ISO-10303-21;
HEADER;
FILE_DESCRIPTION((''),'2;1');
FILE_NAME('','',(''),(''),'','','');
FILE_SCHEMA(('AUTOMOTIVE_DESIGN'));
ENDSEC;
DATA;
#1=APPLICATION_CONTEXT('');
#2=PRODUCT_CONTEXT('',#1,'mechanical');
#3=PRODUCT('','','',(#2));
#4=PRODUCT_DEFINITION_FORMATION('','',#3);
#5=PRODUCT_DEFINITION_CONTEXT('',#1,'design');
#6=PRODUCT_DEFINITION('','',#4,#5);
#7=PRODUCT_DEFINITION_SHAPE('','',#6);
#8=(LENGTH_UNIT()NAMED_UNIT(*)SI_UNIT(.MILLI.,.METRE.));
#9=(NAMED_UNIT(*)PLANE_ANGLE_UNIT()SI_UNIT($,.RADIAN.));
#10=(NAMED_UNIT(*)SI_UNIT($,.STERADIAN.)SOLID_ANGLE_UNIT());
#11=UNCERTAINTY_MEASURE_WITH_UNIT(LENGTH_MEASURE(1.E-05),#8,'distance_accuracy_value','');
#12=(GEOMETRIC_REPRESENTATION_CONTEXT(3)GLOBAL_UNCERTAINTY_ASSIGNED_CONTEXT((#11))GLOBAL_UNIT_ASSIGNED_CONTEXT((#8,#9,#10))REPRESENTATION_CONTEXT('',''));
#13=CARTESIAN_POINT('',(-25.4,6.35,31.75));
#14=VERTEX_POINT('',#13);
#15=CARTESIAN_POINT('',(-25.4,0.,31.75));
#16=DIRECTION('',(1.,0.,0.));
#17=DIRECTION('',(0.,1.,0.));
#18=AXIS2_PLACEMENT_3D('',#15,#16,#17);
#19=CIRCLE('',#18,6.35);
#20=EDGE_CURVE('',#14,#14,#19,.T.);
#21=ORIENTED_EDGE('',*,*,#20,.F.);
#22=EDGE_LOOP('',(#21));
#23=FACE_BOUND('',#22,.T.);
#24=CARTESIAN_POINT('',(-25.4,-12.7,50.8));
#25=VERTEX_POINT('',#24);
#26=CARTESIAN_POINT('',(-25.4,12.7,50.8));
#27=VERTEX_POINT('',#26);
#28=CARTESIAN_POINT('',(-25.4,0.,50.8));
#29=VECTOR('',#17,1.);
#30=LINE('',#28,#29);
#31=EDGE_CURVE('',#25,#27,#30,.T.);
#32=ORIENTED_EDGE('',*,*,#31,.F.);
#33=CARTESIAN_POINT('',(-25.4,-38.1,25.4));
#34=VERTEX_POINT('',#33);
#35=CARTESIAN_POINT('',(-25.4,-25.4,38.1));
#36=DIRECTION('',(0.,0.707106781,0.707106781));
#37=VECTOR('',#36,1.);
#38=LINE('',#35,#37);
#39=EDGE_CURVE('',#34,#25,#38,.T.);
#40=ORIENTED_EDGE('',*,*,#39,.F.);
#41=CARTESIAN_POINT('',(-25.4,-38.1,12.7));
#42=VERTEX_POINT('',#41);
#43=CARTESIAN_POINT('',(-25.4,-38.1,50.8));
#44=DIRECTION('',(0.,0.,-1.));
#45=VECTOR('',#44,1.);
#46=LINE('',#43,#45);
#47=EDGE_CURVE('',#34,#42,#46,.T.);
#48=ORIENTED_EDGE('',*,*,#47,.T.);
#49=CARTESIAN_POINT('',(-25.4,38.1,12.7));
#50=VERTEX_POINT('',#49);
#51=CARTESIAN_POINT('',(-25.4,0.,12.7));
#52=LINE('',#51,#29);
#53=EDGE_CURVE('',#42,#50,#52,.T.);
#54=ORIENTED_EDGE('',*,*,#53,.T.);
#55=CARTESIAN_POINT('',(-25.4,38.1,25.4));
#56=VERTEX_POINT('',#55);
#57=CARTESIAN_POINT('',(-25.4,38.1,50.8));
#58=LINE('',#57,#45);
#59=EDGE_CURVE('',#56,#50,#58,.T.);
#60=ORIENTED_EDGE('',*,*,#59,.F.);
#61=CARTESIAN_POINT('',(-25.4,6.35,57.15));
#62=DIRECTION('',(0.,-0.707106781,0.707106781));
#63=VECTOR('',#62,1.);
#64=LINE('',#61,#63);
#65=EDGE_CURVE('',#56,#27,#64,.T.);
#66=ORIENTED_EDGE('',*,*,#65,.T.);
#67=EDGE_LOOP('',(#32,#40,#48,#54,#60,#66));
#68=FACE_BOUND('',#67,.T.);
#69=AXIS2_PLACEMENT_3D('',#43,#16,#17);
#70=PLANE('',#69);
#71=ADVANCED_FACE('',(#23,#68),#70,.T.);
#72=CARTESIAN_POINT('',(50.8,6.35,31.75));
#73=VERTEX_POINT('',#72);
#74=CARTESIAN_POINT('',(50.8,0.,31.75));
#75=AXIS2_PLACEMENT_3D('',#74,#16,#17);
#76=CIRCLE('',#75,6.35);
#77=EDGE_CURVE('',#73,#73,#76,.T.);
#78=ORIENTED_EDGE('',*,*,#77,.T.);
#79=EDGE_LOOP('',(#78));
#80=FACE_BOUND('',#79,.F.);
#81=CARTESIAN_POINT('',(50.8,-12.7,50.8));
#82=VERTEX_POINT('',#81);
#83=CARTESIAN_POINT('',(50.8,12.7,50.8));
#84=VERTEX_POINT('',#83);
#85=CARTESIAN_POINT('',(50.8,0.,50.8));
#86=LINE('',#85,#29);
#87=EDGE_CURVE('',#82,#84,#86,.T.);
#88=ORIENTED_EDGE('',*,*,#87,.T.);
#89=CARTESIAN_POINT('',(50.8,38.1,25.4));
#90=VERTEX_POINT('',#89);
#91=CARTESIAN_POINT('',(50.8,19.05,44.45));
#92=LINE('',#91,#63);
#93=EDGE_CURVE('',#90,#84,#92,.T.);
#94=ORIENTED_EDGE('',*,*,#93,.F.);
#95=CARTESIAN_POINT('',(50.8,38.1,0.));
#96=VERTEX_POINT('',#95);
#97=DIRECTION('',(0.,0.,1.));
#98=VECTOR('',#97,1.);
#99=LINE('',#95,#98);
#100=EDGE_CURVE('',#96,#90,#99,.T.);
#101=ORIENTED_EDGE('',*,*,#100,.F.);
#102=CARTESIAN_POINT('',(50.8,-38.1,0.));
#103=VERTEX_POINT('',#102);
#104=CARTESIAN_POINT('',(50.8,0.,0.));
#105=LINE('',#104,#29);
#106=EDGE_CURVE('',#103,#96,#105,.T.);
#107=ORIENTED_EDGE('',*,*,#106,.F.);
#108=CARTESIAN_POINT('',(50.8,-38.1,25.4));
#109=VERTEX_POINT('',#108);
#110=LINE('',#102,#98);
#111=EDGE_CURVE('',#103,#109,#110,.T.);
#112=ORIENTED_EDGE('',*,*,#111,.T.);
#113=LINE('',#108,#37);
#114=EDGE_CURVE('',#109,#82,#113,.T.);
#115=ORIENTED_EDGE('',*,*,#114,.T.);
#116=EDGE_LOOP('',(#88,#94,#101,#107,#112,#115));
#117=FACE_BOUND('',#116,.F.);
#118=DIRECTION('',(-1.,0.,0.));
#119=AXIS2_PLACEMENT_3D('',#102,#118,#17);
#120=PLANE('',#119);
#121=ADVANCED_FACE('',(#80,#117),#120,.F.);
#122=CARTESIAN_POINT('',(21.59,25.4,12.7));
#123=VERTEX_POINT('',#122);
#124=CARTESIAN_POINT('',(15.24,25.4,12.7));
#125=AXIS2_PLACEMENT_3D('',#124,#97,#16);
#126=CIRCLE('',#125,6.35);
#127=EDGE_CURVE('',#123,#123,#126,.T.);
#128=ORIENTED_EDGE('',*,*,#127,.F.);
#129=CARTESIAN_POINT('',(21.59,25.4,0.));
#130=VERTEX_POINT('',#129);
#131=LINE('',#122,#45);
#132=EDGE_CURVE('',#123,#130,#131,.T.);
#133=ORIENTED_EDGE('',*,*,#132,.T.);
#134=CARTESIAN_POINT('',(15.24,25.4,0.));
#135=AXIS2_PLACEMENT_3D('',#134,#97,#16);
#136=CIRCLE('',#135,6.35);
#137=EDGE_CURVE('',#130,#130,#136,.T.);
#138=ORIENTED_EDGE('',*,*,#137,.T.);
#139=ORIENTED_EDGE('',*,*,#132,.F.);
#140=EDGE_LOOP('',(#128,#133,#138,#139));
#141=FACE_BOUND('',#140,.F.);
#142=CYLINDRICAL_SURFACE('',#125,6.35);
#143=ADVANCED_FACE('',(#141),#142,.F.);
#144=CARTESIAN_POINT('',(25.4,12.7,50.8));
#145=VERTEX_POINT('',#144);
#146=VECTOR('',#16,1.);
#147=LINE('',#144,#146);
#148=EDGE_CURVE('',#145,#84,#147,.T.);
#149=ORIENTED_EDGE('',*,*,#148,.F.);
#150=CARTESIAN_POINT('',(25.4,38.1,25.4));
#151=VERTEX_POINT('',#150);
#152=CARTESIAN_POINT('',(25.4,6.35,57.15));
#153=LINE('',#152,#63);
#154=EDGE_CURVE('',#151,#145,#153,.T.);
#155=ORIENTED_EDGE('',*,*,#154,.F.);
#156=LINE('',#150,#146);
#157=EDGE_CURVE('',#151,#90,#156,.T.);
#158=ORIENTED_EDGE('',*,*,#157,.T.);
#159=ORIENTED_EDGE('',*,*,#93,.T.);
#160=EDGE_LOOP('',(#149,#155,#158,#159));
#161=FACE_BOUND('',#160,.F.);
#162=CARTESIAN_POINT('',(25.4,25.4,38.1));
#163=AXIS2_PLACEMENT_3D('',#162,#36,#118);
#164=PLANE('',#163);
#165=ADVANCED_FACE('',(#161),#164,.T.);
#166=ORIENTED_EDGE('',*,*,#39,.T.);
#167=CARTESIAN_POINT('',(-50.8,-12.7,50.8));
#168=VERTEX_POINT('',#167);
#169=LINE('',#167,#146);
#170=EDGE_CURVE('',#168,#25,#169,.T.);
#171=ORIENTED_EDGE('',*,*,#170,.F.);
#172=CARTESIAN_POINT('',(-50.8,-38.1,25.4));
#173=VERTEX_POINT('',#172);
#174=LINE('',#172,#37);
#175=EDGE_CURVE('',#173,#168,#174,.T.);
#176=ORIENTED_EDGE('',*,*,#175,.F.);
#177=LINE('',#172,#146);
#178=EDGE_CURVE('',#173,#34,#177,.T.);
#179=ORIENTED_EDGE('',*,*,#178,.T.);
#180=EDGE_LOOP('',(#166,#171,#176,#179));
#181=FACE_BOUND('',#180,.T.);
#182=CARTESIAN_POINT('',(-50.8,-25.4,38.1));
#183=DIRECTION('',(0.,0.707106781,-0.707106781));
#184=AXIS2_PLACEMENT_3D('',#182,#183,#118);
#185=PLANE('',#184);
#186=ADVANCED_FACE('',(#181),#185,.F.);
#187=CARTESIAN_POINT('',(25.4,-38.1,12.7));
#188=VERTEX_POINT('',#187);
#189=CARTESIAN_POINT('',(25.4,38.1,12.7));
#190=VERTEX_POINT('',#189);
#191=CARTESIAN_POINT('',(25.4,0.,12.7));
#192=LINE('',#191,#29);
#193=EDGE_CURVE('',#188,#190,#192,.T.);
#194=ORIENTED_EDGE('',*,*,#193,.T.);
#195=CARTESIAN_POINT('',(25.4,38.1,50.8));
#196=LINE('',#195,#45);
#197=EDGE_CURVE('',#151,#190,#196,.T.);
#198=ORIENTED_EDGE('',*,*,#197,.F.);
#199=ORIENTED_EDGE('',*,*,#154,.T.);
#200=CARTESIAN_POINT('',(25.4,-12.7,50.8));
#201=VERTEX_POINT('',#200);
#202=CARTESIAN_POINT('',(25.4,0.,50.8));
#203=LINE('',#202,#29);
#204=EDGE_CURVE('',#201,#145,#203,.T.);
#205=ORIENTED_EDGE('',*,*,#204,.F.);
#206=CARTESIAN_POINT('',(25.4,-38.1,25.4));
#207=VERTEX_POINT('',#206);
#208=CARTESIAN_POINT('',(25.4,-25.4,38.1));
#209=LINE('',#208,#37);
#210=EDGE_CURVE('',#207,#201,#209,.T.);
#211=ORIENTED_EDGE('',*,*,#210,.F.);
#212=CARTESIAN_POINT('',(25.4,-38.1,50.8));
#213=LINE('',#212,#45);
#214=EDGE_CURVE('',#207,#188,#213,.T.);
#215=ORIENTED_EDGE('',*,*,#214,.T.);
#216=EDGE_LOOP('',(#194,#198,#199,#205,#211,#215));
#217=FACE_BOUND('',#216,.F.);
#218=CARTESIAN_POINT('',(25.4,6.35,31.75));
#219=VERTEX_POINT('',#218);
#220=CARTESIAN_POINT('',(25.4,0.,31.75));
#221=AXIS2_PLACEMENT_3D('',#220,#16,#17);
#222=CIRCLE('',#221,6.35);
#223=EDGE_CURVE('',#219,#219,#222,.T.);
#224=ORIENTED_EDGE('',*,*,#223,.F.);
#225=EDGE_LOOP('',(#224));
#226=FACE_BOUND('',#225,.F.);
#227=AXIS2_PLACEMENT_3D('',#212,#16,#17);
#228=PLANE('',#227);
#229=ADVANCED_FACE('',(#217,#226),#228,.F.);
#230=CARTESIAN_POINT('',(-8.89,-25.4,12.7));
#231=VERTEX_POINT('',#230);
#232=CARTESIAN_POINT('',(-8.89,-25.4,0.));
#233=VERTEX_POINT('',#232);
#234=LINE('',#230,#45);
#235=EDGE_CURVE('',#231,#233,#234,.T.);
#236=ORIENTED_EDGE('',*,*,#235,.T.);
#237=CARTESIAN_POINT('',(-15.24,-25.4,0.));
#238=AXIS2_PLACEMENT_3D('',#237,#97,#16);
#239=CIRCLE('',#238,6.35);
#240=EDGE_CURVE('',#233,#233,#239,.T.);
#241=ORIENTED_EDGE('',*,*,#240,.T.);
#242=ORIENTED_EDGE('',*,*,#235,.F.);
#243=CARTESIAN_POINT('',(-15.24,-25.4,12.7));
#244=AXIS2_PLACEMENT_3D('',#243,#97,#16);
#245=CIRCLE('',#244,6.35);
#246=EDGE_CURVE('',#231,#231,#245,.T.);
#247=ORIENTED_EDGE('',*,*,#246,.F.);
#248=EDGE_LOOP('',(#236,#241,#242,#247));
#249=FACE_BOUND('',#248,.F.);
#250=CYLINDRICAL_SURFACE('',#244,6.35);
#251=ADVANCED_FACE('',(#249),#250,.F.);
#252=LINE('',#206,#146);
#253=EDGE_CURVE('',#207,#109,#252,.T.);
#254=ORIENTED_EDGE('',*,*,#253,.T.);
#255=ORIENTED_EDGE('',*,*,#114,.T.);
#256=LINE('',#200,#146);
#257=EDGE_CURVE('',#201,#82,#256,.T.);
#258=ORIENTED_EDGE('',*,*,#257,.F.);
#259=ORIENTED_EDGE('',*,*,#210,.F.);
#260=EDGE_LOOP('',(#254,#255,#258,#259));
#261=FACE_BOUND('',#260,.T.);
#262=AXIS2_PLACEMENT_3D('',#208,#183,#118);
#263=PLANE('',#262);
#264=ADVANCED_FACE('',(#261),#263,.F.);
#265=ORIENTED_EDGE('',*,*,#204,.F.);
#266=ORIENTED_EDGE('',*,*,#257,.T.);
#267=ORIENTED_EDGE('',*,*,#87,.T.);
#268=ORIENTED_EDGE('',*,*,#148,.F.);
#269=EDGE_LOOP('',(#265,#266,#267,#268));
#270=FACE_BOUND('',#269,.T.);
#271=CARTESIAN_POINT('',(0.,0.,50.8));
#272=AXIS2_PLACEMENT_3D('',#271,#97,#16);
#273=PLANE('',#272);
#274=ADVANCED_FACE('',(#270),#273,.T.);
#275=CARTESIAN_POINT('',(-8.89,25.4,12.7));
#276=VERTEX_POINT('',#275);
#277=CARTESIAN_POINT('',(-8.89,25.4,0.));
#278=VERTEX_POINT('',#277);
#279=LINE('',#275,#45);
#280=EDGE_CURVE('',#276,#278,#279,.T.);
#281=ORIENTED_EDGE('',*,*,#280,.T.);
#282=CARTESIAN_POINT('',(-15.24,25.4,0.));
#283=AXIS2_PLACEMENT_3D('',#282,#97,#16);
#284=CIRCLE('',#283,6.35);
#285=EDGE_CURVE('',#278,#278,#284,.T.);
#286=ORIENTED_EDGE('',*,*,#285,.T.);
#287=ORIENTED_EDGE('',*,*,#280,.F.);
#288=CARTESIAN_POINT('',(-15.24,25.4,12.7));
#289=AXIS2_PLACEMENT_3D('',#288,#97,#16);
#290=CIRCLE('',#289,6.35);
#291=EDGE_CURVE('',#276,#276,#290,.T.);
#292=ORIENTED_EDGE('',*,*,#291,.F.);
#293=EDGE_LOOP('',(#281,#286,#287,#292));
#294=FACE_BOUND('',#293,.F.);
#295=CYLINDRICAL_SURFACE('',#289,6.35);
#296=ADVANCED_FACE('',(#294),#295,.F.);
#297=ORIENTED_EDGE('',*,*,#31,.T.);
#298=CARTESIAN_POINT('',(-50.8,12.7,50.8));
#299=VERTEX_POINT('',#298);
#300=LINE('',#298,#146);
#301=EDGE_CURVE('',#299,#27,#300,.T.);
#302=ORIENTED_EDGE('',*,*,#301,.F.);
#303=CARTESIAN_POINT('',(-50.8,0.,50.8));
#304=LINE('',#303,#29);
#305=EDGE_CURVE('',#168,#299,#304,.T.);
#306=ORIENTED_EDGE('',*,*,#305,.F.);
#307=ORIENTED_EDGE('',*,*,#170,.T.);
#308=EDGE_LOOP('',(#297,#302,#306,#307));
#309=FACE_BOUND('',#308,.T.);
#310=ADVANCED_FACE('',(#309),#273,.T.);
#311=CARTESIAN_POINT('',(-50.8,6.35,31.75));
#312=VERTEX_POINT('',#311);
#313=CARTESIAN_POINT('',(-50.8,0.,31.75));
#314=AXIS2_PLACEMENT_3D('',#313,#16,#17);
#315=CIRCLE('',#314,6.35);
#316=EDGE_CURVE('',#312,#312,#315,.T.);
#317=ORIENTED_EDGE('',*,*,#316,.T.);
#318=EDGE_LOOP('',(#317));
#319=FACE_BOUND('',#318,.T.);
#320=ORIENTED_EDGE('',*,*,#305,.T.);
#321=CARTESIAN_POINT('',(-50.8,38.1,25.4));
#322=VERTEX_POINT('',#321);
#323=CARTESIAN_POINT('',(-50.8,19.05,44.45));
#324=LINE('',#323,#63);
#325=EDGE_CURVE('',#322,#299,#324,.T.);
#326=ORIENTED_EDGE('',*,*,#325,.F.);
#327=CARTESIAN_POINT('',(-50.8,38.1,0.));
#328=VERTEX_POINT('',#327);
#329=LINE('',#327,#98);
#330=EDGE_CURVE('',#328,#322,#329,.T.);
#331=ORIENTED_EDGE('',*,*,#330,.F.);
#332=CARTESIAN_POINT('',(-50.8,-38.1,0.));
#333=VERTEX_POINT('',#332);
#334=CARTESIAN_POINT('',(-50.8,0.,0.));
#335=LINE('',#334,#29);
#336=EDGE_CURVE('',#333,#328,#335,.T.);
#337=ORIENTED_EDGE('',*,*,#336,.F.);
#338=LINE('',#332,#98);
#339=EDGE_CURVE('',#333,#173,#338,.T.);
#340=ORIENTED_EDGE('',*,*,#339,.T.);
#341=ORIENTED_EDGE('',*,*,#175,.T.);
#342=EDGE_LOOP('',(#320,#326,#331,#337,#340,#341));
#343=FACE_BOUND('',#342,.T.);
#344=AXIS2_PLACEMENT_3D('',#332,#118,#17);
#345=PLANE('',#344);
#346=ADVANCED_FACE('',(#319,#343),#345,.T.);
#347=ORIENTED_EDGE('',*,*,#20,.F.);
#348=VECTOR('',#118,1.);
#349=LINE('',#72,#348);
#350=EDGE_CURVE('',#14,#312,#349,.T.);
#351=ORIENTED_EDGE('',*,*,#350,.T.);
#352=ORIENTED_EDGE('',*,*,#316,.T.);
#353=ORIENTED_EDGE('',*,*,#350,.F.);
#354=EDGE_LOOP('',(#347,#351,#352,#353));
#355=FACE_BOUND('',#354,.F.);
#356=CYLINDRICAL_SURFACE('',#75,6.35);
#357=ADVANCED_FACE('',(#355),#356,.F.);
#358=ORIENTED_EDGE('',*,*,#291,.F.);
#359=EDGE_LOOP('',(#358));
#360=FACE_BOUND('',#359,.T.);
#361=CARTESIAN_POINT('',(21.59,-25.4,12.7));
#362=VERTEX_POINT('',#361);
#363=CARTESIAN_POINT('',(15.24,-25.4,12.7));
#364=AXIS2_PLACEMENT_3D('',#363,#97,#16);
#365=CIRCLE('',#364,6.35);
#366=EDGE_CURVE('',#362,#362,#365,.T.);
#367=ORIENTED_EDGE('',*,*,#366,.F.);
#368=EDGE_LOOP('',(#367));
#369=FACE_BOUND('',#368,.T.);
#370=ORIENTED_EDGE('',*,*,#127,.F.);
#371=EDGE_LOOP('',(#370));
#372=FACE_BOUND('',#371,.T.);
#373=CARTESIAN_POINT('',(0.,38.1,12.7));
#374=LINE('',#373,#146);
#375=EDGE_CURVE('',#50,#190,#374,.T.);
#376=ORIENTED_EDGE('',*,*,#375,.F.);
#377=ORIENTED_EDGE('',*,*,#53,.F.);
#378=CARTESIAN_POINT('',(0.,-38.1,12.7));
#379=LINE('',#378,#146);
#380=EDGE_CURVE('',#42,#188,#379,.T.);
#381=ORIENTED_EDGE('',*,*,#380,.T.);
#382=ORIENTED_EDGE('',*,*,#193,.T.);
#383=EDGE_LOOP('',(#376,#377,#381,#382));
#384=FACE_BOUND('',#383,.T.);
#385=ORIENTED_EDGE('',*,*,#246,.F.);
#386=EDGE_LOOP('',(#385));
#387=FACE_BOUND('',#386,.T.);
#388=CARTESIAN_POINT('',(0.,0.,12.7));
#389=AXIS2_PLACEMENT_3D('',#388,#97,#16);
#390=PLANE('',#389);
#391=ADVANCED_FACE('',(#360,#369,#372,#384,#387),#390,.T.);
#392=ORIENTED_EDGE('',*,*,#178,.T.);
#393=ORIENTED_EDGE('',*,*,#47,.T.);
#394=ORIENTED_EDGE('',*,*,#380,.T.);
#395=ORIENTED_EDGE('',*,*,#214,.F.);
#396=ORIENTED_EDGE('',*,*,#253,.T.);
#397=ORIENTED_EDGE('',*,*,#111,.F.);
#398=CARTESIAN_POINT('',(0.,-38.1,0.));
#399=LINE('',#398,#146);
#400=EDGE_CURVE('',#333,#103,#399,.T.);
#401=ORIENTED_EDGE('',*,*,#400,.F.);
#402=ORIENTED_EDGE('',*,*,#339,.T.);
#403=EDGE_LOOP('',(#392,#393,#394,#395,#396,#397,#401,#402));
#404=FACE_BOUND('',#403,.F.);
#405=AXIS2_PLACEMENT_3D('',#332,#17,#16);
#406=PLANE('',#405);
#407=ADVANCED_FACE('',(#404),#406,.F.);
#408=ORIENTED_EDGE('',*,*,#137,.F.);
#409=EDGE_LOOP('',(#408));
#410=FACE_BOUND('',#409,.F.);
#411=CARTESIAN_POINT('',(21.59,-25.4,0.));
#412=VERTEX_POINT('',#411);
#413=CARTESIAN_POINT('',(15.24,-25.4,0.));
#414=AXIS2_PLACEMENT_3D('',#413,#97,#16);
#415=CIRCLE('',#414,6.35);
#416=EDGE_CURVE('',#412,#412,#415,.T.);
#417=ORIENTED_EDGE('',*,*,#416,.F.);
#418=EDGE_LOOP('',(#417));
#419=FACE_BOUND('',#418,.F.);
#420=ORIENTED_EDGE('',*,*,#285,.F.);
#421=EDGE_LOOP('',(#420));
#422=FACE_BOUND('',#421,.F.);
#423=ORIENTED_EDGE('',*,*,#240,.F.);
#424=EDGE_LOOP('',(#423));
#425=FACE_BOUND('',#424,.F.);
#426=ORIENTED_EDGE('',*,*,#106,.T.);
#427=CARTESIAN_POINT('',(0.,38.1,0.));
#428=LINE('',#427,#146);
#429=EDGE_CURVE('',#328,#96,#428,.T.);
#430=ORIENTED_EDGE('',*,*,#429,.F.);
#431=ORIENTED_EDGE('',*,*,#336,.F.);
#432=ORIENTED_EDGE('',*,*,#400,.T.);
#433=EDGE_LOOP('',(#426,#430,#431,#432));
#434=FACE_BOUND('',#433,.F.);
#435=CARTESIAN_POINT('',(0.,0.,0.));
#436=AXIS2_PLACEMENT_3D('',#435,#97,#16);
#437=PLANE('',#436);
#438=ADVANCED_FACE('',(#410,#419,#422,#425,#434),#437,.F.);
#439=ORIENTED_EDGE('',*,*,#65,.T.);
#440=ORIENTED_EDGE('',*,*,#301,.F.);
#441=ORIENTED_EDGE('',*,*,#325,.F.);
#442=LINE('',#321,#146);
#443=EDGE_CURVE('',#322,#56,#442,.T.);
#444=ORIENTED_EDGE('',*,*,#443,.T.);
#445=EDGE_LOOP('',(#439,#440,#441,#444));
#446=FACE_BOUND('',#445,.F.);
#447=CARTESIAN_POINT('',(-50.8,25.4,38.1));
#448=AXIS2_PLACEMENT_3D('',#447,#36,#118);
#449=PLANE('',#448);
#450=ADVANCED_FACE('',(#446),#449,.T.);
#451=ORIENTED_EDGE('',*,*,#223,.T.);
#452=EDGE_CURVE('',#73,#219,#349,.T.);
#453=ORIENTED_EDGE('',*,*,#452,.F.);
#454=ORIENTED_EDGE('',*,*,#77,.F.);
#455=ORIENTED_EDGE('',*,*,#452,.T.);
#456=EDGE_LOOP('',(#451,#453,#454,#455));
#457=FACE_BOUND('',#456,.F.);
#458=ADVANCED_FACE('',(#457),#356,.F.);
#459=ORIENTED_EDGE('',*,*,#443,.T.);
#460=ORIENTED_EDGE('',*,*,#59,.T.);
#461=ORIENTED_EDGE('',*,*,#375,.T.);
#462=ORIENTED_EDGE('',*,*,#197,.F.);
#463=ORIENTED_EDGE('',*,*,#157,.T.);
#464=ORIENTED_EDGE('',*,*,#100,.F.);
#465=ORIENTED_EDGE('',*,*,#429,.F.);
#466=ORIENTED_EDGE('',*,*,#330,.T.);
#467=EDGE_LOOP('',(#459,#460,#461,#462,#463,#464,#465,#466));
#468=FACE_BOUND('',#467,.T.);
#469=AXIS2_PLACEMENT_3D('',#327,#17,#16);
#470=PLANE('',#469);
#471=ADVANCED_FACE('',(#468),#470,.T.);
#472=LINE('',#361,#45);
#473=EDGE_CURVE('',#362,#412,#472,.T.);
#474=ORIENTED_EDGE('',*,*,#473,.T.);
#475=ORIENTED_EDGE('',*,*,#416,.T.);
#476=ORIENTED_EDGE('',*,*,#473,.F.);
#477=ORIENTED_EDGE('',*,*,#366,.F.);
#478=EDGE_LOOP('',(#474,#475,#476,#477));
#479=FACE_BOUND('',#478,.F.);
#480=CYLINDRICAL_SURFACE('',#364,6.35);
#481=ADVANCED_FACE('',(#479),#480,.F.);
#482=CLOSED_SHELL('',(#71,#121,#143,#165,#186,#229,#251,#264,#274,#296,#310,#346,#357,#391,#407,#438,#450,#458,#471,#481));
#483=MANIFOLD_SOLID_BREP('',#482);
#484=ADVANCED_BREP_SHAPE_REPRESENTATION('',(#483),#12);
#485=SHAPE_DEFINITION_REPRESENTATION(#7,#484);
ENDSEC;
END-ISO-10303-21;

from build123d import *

# Parameters (mm, degrees)
F0_W     = 101.6
F0_H     = 76.2
F1_DEPTH = 50.8
F2_W     = 50.8
F2_H     = 76.2
F3_DEPTH = 38.1
F4_SIZE  = 25.4
F5_R     = 6.35
F6_DEPTH = 101.601
F7_R     = 6.35
F8_DEPTH = 12.7


with BuildPart() as f1:
    # F0 (on Top) → F1 (new body)
    with BuildSketch(Plane.XY):
        Rectangle(F0_W, F0_H)
    extrude(amount=F1_DEPTH)

    # F2 (on face) → F3 (cut)
    with BuildSketch(Plane.XY.offset(50.8)):
        Rectangle(F2_W, F2_H)
    extrude(amount=-F3_DEPTH, mode=Mode.SUBTRACT)

    # F4
    f4_edges = [f1.edges().sort_by_distance(p)[0] for p in [
        (-38.1, -38.1, 50.8),
        (38.1, -38.1, 50.8),
        (-38.1, 38.1, 50.8),
        (38.1, 38.1, 50.8),
    ]]
    chamfer(f4_edges, length=F4_SIZE)

    # F5 (on face) → F6 (cut, through all)
    with BuildSketch(Plane.YZ.offset(50.8)):
        with Locations((0, 31.75)):
            Circle(F5_R)
    extrude(amount=-F6_DEPTH, mode=Mode.SUBTRACT)

    # F7 (on face) → F8 (cut, through all)
    with BuildSketch(Plane.XY.offset(12.7)):
        with Locations((-15.24, -25.4)):
            Circle(F7_R)
        with Locations((-15.24, 25.4)):
            Circle(F7_R)
        with Locations((15.24, -25.4)):
            Circle(F7_R)
        with Locations((15.24, 25.4)):
            Circle(F7_R)
    extrude(amount=-F8_DEPTH, mode=Mode.SUBTRACT)


solid = f1.part
